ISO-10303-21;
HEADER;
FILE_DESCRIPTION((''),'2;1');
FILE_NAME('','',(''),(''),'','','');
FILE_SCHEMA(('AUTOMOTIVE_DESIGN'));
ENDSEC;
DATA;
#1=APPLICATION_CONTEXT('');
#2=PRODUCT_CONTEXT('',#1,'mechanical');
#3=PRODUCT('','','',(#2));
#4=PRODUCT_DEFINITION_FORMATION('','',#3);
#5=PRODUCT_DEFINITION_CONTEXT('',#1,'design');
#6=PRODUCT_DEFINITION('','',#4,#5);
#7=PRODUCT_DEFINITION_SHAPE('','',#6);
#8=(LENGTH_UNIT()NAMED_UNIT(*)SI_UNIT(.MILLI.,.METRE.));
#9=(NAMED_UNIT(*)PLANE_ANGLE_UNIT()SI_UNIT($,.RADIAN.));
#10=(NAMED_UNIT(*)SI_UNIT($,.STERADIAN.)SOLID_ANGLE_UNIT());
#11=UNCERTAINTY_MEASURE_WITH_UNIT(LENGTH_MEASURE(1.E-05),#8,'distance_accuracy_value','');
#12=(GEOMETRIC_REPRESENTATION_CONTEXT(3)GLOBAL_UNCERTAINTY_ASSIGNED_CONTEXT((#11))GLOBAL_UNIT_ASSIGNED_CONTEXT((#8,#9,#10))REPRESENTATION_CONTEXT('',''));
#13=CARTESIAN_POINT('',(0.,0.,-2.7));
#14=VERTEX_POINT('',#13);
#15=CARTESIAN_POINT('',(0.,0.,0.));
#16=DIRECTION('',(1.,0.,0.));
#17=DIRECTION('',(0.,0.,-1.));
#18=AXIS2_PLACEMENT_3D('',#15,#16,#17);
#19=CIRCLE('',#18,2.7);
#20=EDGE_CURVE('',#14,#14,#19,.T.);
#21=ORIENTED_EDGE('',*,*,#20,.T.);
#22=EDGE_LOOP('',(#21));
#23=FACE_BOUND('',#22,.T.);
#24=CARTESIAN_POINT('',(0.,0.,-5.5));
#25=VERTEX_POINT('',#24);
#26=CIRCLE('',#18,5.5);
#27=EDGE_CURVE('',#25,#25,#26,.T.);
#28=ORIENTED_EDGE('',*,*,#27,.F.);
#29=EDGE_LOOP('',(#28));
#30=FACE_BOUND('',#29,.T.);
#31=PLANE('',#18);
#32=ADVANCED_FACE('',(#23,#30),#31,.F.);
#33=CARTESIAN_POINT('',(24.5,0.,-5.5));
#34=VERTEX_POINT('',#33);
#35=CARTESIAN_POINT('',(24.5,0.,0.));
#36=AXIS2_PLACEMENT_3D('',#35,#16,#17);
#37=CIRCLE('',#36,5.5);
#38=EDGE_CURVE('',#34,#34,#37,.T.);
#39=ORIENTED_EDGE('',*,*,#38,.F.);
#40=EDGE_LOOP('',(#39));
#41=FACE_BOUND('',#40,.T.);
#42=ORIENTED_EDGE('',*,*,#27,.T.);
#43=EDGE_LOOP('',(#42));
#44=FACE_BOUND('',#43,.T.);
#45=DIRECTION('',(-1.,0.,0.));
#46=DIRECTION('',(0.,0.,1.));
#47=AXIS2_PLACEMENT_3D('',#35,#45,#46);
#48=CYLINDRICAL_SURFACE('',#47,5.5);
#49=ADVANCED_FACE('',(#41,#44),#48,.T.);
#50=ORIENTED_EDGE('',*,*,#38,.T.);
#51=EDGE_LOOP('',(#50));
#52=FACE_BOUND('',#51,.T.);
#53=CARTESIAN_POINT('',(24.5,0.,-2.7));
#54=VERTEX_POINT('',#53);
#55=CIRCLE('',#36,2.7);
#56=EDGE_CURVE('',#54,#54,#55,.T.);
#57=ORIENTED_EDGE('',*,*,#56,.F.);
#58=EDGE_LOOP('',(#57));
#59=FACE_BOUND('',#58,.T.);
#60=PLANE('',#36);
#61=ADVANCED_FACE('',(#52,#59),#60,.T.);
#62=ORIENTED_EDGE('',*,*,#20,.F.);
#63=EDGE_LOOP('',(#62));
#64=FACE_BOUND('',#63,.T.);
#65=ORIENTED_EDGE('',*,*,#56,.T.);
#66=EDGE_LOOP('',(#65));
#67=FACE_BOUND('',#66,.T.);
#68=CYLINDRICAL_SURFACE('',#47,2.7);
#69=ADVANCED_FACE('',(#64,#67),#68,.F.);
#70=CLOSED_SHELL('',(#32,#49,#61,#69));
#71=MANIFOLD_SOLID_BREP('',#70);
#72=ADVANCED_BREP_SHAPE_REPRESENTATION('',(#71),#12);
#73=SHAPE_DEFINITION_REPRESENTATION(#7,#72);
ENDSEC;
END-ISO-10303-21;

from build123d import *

# Parameters (mm, degrees)
SKETCH_1_R      = 5.5
SKETCH_1_R_2    = 2.7
EXTRUDE_1_DEPTH = 24.5


with BuildPart() as part:
    # 草图1 → 凸台-拉伸1 (new body)
    with BuildSketch(Plane(origin=(0, 0, 0), x_dir=(0, 0, -1), z_dir=(1, 0, 0))):
        Circle(SKETCH_1_R)
        Circle(SKETCH_1_R_2, mode=Mode.SUBTRACT)
    extrude(amount=EXTRUDE_1_DEPTH)


solid = part.part
